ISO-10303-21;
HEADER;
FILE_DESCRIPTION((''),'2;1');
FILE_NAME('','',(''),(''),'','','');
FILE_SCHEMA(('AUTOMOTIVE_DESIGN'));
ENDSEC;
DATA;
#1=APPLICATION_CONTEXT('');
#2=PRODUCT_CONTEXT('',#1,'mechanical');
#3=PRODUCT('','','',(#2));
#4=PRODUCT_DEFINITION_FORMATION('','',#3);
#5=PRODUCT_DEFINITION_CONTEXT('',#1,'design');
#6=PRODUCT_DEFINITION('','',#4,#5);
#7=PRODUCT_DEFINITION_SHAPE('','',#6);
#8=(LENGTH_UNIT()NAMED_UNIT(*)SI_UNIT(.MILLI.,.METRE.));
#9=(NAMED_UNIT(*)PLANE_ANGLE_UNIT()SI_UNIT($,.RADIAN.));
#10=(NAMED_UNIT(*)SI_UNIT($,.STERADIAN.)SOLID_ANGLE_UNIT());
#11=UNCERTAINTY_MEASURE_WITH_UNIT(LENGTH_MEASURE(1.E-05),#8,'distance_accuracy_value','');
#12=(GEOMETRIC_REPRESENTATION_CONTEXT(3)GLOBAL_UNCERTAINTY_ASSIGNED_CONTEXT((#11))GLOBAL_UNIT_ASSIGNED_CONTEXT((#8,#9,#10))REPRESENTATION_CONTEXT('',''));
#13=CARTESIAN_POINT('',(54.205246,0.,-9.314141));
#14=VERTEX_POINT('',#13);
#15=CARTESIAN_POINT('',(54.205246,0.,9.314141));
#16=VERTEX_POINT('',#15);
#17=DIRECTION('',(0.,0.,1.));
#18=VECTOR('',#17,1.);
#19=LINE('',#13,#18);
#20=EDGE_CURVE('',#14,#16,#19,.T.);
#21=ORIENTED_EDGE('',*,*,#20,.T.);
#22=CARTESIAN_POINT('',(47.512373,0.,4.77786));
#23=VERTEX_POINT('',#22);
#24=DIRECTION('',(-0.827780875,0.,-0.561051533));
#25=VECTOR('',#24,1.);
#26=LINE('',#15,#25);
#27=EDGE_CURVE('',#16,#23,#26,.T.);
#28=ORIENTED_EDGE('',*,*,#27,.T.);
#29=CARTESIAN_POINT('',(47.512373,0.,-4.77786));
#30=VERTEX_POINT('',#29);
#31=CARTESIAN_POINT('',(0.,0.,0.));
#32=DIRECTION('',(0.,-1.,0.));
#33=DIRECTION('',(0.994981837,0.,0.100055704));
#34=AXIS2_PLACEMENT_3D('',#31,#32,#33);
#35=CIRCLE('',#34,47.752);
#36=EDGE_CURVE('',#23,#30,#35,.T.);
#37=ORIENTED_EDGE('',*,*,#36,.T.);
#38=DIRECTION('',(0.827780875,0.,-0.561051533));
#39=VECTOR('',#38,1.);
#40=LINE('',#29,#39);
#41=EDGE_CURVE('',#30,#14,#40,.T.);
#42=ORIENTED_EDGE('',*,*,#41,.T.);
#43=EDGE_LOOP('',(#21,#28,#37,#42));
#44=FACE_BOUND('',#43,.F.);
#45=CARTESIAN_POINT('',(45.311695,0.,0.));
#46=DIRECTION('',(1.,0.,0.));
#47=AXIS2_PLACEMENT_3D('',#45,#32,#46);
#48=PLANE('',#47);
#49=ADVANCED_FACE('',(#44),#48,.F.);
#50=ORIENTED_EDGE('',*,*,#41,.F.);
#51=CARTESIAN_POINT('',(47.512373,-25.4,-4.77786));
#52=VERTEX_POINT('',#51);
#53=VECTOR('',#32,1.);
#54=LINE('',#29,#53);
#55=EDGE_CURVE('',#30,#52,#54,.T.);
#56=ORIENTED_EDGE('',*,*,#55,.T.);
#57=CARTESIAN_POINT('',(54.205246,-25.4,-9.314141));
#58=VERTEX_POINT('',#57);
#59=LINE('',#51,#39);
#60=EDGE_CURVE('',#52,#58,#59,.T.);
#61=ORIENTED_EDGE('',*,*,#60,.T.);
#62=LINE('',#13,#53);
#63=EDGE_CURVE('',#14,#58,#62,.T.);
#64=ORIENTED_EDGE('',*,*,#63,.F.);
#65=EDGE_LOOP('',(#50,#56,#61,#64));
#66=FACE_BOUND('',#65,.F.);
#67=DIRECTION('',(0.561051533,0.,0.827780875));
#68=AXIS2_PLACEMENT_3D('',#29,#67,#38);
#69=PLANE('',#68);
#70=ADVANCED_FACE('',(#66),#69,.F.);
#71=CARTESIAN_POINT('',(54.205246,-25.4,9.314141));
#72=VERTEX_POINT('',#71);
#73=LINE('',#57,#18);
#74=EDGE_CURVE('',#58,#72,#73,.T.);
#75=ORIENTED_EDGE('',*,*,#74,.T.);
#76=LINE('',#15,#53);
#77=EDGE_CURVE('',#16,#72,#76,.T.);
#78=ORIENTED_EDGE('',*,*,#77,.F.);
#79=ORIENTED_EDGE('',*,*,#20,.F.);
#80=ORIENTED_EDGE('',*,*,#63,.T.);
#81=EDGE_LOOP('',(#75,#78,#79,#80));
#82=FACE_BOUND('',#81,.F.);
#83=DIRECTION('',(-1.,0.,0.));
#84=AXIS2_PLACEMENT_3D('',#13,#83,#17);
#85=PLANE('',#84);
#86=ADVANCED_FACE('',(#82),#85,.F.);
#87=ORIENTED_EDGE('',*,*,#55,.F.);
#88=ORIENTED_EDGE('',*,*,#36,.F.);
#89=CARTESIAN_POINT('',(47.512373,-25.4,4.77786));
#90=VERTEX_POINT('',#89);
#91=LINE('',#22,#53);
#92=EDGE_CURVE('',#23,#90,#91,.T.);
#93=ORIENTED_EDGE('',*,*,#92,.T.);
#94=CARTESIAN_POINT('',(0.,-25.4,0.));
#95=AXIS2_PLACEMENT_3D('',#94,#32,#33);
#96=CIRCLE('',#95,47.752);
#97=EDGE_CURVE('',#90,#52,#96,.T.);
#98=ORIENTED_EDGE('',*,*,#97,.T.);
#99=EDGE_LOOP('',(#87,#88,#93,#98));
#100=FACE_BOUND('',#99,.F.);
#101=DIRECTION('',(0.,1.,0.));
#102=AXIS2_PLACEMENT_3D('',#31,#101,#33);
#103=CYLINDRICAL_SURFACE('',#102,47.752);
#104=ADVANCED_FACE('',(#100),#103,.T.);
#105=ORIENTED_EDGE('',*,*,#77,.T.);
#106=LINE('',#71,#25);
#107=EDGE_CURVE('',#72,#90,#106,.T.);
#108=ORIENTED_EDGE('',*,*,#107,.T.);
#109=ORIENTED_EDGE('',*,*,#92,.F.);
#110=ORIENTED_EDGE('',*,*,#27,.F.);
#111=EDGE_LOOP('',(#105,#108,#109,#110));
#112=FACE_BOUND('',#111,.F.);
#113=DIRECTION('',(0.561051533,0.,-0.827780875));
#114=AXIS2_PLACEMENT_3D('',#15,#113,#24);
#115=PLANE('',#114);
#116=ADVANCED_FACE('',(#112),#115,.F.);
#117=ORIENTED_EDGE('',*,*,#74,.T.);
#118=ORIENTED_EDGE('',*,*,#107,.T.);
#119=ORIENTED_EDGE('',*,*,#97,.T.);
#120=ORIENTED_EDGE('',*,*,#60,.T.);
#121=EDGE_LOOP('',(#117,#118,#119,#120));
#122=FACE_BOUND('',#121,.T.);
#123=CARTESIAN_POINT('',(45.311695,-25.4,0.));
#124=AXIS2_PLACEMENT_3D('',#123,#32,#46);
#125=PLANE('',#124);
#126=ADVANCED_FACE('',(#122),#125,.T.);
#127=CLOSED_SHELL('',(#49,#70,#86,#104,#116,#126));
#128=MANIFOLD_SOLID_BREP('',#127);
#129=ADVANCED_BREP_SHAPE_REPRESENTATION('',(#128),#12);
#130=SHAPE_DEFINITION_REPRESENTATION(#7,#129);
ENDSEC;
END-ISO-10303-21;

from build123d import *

# Parameters (mm, degrees)
F1_DEPTH = 25.4


with BuildPart() as f1:
    # F0 (on Front) → F1 (new body)
    with BuildSketch(Plane.XZ):
        with BuildLine():
            ThreePointArc((47.512373, -4.77786), (47.692056, -2.391933), (47.752, 0))
            ThreePointArc((47.752, 0), (47.692056, 2.391933), (47.512373, 4.77786))
            Line((47.512373, 4.77786), (40.463071, 0))
            Line((40.463071, 0), (47.512373, -4.77786))
        make_face()
        with BuildLine():
            Line((40.463071, 0), (47.512373, 4.77786))
            ThreePointArc((47.512373, 4.77786), (-47.752, 0), (47.512373, -4.77786))
            Line((47.512373, -4.77786), (40.463071, 0))
        make_face()
        with BuildLine():
            ThreePointArc((47.512373, 4.77786), (47.692056, 2.391933), (47.752, 0))
            ThreePointArc((47.752, 0), (47.692056, -2.391933), (47.512373, -4.77786))
            Line((47.512373, -4.77786), (54.205246, -9.314141))
            Line((54.205246, -9.314141), (54.205246, 9.314141))
            Line((54.205246, 9.314141), (47.512373, 4.77786))
        make_face()
    extrude(amount=F1_DEPTH)


solid = f1.part
